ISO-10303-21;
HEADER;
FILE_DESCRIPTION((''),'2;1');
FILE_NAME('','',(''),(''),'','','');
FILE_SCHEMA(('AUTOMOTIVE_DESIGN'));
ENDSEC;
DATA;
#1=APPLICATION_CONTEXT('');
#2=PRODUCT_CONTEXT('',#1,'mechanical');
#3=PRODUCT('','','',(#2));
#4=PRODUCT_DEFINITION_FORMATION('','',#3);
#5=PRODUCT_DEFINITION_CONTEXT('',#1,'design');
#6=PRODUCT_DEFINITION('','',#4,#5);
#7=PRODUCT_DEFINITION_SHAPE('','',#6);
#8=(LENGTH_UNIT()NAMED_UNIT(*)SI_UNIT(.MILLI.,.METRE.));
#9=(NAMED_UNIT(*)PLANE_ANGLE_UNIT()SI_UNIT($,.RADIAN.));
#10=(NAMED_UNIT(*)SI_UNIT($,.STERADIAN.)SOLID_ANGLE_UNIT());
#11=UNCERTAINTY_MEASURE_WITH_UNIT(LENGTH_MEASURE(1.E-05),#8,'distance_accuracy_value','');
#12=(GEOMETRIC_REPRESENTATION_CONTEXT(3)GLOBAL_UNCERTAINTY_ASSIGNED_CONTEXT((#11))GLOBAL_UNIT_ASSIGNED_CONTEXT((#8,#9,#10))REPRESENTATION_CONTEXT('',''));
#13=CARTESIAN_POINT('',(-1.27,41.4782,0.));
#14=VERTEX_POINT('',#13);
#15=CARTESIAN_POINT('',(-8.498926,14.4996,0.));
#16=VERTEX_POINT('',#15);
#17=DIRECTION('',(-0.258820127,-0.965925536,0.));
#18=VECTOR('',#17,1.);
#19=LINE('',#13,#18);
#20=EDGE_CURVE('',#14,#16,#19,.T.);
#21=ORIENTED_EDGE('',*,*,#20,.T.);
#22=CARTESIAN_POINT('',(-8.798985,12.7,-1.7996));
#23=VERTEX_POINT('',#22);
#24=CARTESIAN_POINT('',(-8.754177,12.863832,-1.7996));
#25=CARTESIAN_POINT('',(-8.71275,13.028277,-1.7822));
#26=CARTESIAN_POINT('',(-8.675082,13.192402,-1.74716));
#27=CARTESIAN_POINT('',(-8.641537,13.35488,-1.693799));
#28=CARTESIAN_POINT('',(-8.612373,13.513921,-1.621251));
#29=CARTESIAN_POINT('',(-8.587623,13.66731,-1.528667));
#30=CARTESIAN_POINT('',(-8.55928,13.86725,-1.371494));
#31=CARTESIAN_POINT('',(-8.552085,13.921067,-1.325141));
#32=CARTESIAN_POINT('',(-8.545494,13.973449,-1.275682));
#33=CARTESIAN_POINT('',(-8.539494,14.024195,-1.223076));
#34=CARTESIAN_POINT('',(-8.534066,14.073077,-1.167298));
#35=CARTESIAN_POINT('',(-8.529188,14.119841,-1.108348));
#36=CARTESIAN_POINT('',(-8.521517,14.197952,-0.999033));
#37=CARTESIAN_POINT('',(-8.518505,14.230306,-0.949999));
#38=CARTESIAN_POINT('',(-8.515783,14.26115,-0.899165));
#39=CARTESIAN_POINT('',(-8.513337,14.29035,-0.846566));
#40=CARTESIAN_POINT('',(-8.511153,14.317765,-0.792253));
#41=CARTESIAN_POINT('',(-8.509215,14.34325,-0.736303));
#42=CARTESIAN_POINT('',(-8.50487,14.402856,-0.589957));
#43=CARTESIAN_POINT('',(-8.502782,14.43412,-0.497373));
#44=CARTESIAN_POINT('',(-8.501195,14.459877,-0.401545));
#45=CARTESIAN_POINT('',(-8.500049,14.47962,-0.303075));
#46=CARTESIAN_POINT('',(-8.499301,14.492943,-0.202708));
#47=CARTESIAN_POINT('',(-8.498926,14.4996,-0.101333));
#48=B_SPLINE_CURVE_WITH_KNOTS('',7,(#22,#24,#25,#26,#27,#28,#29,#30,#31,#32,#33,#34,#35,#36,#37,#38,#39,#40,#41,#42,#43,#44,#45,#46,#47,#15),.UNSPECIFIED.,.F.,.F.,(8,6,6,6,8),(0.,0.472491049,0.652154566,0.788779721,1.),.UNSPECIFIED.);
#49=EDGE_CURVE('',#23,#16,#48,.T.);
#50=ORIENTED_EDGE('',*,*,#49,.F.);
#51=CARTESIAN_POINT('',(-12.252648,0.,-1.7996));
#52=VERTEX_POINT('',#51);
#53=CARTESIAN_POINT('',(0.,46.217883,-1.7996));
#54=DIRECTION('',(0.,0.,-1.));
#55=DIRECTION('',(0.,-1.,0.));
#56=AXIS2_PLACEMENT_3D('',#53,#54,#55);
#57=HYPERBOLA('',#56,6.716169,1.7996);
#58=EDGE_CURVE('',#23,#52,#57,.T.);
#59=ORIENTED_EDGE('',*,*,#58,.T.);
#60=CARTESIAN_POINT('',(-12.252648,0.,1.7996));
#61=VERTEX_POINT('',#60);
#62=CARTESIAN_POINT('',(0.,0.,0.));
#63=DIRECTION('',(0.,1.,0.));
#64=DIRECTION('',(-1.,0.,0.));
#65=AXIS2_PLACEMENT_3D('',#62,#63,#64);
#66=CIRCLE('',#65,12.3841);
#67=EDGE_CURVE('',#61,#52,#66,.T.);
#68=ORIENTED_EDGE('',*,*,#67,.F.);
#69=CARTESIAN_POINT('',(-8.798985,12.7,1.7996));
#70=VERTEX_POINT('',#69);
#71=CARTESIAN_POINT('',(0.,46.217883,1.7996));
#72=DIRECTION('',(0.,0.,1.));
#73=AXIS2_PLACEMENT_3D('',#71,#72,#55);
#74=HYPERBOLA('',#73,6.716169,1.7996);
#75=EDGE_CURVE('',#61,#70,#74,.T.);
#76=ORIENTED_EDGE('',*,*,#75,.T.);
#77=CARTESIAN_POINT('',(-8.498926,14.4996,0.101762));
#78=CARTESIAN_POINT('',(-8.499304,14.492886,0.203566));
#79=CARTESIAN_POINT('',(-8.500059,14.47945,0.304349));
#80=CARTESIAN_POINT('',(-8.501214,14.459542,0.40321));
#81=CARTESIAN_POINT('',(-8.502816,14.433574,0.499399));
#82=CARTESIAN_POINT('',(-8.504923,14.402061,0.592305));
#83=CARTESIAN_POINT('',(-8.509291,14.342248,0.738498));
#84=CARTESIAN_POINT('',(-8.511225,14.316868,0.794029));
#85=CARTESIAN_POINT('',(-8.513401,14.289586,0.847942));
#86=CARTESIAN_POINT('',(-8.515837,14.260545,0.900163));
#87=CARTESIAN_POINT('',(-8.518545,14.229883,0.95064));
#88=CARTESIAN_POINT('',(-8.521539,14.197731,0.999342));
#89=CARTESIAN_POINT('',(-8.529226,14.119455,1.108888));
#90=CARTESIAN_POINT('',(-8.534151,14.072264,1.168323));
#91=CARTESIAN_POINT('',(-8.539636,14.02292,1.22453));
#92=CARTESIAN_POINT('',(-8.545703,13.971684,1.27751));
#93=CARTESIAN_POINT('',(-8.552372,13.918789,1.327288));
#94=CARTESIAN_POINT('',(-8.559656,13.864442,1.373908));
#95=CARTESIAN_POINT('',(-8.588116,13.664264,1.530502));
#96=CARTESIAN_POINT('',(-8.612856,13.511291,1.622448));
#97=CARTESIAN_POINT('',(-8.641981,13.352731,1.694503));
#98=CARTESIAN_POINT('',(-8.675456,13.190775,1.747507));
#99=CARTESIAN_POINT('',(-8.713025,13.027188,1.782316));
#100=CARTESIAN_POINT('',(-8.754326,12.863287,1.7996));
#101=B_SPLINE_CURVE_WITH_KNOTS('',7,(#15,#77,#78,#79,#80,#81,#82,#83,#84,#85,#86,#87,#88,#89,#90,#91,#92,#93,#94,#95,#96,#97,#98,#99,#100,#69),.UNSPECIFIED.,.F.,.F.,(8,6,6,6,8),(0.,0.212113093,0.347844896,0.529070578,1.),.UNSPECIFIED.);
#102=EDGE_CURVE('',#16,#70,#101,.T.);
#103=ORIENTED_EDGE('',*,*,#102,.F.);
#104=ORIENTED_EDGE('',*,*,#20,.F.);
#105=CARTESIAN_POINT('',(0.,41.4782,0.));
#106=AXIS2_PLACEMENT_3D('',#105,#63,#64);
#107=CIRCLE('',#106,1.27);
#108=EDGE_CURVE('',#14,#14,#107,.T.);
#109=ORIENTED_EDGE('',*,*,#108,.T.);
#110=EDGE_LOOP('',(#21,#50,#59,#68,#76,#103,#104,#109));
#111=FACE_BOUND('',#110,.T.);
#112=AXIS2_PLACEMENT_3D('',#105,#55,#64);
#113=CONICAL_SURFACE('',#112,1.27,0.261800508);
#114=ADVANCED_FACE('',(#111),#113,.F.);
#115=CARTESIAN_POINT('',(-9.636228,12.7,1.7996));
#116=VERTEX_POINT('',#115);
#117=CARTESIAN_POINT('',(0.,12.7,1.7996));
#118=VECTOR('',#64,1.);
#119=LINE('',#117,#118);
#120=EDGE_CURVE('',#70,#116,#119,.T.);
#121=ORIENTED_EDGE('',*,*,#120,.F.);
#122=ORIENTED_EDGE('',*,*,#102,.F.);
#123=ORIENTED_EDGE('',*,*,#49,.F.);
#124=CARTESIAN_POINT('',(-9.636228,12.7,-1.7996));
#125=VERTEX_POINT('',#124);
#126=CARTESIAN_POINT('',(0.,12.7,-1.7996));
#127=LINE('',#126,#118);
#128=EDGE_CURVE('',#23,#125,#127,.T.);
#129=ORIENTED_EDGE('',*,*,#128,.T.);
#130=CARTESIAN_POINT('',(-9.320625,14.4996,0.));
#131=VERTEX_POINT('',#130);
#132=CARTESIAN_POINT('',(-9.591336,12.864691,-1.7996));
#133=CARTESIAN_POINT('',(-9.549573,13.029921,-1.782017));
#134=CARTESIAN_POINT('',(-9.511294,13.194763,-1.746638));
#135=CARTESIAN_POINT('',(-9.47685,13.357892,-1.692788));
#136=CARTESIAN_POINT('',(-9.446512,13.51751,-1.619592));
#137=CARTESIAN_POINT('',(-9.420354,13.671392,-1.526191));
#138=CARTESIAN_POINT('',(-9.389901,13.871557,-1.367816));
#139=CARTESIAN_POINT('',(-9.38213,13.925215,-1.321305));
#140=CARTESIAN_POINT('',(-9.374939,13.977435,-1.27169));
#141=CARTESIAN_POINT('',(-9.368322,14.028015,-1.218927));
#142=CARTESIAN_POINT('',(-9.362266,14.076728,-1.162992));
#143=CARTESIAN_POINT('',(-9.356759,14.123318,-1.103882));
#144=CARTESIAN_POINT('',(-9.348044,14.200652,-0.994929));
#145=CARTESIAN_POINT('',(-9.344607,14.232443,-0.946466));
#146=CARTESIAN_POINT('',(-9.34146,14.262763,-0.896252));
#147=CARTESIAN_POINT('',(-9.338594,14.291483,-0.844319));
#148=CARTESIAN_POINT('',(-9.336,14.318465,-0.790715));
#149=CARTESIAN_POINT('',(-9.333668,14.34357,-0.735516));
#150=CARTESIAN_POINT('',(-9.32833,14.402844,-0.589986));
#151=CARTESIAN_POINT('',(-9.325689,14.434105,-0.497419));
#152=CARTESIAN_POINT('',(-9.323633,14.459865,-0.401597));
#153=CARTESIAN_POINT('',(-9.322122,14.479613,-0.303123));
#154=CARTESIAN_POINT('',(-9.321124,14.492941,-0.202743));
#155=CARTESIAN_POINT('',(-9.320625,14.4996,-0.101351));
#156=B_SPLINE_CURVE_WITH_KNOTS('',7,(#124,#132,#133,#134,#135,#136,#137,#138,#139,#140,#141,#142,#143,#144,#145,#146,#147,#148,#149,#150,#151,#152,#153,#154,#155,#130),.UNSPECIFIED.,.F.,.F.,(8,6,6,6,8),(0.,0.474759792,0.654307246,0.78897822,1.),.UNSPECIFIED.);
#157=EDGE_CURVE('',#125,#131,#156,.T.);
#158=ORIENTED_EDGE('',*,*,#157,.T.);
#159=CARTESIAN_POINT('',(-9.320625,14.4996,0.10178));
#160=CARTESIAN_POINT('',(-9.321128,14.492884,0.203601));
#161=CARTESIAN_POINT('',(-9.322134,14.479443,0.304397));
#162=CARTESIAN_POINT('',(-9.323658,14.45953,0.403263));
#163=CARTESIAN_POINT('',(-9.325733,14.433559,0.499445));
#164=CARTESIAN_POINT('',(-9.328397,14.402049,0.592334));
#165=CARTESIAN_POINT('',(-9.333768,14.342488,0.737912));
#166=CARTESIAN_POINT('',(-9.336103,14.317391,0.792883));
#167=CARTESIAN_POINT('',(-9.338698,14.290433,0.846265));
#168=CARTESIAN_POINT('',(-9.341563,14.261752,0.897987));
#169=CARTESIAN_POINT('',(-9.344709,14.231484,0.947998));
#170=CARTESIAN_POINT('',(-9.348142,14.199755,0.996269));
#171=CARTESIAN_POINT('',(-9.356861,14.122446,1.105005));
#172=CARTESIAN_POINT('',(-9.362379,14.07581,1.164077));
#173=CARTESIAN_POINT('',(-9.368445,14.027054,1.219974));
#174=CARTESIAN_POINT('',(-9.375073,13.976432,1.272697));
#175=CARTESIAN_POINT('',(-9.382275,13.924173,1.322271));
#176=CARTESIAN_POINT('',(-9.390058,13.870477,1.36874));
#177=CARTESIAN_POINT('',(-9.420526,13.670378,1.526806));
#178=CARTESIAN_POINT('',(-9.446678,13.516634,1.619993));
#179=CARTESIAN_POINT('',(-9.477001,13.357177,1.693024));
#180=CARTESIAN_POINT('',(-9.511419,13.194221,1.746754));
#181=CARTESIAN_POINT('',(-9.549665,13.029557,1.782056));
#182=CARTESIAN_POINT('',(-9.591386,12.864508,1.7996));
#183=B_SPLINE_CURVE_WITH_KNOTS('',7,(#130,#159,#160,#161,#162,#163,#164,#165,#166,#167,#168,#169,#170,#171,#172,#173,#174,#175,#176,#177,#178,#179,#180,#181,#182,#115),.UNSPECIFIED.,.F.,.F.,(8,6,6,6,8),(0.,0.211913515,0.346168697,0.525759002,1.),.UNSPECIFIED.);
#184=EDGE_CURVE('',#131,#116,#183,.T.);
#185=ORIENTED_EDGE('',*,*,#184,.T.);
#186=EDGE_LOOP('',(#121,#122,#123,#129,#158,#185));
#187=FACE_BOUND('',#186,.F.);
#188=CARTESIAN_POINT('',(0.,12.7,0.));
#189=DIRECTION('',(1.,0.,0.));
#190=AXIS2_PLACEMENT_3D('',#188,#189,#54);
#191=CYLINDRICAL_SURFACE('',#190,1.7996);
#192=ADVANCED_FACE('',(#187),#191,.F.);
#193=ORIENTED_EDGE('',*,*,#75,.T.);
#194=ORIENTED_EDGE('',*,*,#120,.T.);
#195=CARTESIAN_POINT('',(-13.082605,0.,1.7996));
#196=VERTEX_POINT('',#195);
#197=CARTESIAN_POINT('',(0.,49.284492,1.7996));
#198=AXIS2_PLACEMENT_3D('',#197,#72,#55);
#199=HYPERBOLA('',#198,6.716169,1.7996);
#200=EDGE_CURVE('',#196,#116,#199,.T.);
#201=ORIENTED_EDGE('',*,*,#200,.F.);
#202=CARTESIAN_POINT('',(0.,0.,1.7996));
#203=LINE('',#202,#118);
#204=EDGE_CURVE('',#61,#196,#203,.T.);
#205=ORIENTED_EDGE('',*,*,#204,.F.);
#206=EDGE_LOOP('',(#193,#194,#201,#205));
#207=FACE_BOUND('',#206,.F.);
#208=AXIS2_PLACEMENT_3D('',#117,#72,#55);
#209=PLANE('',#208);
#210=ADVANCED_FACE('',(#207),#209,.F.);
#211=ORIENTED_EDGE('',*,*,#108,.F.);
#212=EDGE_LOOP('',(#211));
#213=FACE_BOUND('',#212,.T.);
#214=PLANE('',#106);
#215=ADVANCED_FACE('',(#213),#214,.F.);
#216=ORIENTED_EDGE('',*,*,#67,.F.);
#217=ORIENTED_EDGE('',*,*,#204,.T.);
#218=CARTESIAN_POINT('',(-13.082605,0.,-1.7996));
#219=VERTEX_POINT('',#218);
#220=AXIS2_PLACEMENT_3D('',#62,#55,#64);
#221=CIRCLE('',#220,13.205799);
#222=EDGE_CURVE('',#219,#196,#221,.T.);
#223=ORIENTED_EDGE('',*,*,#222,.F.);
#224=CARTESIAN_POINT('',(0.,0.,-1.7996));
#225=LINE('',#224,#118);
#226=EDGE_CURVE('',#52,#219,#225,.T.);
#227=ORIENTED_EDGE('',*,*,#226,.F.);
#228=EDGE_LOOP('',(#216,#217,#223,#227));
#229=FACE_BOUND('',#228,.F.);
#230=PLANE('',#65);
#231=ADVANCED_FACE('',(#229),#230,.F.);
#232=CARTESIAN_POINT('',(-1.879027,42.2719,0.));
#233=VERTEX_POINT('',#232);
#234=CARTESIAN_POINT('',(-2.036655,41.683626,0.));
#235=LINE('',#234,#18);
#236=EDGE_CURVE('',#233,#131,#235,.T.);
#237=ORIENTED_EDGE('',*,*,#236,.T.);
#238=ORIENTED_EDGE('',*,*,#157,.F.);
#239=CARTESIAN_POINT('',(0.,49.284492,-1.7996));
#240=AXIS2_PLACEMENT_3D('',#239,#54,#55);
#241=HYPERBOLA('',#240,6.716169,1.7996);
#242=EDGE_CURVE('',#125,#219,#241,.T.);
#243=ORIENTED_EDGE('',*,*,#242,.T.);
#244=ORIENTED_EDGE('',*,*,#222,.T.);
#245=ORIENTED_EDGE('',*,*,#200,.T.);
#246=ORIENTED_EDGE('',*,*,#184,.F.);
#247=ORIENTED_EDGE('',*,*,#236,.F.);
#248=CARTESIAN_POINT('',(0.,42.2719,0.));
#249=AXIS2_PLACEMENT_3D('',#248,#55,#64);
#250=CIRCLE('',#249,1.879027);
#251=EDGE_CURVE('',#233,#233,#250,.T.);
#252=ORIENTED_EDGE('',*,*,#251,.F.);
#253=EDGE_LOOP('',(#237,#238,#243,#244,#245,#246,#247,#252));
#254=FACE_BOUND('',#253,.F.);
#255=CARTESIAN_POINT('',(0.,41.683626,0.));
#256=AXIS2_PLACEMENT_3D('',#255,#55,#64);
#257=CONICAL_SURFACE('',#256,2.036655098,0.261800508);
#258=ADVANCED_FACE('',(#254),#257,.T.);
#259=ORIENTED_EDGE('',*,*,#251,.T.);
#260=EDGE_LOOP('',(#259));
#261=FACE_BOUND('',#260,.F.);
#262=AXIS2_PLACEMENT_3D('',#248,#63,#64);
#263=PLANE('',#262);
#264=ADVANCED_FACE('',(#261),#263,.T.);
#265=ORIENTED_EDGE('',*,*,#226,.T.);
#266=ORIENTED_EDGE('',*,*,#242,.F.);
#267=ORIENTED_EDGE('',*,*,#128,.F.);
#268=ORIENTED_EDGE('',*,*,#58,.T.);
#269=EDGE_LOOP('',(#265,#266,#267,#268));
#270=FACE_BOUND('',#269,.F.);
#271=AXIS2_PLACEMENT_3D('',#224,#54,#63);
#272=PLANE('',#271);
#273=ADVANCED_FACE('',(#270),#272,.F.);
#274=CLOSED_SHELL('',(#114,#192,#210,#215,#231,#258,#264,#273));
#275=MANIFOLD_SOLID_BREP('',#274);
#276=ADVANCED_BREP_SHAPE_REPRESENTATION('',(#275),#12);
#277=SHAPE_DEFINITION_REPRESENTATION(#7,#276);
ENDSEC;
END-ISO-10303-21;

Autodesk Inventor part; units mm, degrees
ref_plane "YZ Plane" through (0, 0, 0) normal (1, 0, 0) x (0, 1, 0)
ref_plane "XZ Plane" through (0, 0, 0) normal (0, 1, 0) x (-1, 0, 0)
ref_plane "XY Plane" through (0, 0, 0) normal (0, 0, 1) x (1, 0, 0)
sketch "Sketch1" plane through (0, 0, 0) normal (0, 0, 1) x (1, 0, 0)
  line L0 (0, 0) -> (0, 41.4782)
  line L1 (0, 41.4782) -> (-1.27, 41.4782)
  line L2 (-1.27, 41.4782) -> (-12.3841, 0)
  line L3 (-12.3841, 0) -> (0, 0)
  line L4 (0, -8.2956) -> (0, 49.7738) projected
  dimension "d0" = 1.27
  dimension "d1" = 75
  dimension "d2" = 41.4782
revolve "Revolution1" add sketch "Sketch1" angle 360 about axis through (0, -10, 0) along (0, 1, 0)
shell "Shell1" thickness 0.7937 outward yes removed faces 1 at (4.0081, 0, 0.9879)
sketch "Sketch2" plane through (0, 0, 0) normal (1, 0, 0) x (0, 1, 0)
  line L0 (0, 0) -> (12.7, 0) construction
  line L1 (0, -1.7996) -> (12.7, -1.7996)
  line L2 (12.7, 1.7996) -> (0, 1.7996)
  arc A0 (0, 1.7996) -> (0, -1.7996) centre (0, 0) ccw
  arc A1 (12.7, -1.7996) -> (12.7, 1.7996) centre (12.7, 0) ccw
  line L3 (0, -13.2058) -> (0, 13.2058) projected
  point P0 (6.35, 0)
  dimension "d7" = 1.7996
  dimension "d8" = 6.35
extrude "Extrusion1" cut sketch "Sketch2" against normal through all contours L3 L2 A1 L1
properties part number "CC-01" material "Steel, Galvanized"
